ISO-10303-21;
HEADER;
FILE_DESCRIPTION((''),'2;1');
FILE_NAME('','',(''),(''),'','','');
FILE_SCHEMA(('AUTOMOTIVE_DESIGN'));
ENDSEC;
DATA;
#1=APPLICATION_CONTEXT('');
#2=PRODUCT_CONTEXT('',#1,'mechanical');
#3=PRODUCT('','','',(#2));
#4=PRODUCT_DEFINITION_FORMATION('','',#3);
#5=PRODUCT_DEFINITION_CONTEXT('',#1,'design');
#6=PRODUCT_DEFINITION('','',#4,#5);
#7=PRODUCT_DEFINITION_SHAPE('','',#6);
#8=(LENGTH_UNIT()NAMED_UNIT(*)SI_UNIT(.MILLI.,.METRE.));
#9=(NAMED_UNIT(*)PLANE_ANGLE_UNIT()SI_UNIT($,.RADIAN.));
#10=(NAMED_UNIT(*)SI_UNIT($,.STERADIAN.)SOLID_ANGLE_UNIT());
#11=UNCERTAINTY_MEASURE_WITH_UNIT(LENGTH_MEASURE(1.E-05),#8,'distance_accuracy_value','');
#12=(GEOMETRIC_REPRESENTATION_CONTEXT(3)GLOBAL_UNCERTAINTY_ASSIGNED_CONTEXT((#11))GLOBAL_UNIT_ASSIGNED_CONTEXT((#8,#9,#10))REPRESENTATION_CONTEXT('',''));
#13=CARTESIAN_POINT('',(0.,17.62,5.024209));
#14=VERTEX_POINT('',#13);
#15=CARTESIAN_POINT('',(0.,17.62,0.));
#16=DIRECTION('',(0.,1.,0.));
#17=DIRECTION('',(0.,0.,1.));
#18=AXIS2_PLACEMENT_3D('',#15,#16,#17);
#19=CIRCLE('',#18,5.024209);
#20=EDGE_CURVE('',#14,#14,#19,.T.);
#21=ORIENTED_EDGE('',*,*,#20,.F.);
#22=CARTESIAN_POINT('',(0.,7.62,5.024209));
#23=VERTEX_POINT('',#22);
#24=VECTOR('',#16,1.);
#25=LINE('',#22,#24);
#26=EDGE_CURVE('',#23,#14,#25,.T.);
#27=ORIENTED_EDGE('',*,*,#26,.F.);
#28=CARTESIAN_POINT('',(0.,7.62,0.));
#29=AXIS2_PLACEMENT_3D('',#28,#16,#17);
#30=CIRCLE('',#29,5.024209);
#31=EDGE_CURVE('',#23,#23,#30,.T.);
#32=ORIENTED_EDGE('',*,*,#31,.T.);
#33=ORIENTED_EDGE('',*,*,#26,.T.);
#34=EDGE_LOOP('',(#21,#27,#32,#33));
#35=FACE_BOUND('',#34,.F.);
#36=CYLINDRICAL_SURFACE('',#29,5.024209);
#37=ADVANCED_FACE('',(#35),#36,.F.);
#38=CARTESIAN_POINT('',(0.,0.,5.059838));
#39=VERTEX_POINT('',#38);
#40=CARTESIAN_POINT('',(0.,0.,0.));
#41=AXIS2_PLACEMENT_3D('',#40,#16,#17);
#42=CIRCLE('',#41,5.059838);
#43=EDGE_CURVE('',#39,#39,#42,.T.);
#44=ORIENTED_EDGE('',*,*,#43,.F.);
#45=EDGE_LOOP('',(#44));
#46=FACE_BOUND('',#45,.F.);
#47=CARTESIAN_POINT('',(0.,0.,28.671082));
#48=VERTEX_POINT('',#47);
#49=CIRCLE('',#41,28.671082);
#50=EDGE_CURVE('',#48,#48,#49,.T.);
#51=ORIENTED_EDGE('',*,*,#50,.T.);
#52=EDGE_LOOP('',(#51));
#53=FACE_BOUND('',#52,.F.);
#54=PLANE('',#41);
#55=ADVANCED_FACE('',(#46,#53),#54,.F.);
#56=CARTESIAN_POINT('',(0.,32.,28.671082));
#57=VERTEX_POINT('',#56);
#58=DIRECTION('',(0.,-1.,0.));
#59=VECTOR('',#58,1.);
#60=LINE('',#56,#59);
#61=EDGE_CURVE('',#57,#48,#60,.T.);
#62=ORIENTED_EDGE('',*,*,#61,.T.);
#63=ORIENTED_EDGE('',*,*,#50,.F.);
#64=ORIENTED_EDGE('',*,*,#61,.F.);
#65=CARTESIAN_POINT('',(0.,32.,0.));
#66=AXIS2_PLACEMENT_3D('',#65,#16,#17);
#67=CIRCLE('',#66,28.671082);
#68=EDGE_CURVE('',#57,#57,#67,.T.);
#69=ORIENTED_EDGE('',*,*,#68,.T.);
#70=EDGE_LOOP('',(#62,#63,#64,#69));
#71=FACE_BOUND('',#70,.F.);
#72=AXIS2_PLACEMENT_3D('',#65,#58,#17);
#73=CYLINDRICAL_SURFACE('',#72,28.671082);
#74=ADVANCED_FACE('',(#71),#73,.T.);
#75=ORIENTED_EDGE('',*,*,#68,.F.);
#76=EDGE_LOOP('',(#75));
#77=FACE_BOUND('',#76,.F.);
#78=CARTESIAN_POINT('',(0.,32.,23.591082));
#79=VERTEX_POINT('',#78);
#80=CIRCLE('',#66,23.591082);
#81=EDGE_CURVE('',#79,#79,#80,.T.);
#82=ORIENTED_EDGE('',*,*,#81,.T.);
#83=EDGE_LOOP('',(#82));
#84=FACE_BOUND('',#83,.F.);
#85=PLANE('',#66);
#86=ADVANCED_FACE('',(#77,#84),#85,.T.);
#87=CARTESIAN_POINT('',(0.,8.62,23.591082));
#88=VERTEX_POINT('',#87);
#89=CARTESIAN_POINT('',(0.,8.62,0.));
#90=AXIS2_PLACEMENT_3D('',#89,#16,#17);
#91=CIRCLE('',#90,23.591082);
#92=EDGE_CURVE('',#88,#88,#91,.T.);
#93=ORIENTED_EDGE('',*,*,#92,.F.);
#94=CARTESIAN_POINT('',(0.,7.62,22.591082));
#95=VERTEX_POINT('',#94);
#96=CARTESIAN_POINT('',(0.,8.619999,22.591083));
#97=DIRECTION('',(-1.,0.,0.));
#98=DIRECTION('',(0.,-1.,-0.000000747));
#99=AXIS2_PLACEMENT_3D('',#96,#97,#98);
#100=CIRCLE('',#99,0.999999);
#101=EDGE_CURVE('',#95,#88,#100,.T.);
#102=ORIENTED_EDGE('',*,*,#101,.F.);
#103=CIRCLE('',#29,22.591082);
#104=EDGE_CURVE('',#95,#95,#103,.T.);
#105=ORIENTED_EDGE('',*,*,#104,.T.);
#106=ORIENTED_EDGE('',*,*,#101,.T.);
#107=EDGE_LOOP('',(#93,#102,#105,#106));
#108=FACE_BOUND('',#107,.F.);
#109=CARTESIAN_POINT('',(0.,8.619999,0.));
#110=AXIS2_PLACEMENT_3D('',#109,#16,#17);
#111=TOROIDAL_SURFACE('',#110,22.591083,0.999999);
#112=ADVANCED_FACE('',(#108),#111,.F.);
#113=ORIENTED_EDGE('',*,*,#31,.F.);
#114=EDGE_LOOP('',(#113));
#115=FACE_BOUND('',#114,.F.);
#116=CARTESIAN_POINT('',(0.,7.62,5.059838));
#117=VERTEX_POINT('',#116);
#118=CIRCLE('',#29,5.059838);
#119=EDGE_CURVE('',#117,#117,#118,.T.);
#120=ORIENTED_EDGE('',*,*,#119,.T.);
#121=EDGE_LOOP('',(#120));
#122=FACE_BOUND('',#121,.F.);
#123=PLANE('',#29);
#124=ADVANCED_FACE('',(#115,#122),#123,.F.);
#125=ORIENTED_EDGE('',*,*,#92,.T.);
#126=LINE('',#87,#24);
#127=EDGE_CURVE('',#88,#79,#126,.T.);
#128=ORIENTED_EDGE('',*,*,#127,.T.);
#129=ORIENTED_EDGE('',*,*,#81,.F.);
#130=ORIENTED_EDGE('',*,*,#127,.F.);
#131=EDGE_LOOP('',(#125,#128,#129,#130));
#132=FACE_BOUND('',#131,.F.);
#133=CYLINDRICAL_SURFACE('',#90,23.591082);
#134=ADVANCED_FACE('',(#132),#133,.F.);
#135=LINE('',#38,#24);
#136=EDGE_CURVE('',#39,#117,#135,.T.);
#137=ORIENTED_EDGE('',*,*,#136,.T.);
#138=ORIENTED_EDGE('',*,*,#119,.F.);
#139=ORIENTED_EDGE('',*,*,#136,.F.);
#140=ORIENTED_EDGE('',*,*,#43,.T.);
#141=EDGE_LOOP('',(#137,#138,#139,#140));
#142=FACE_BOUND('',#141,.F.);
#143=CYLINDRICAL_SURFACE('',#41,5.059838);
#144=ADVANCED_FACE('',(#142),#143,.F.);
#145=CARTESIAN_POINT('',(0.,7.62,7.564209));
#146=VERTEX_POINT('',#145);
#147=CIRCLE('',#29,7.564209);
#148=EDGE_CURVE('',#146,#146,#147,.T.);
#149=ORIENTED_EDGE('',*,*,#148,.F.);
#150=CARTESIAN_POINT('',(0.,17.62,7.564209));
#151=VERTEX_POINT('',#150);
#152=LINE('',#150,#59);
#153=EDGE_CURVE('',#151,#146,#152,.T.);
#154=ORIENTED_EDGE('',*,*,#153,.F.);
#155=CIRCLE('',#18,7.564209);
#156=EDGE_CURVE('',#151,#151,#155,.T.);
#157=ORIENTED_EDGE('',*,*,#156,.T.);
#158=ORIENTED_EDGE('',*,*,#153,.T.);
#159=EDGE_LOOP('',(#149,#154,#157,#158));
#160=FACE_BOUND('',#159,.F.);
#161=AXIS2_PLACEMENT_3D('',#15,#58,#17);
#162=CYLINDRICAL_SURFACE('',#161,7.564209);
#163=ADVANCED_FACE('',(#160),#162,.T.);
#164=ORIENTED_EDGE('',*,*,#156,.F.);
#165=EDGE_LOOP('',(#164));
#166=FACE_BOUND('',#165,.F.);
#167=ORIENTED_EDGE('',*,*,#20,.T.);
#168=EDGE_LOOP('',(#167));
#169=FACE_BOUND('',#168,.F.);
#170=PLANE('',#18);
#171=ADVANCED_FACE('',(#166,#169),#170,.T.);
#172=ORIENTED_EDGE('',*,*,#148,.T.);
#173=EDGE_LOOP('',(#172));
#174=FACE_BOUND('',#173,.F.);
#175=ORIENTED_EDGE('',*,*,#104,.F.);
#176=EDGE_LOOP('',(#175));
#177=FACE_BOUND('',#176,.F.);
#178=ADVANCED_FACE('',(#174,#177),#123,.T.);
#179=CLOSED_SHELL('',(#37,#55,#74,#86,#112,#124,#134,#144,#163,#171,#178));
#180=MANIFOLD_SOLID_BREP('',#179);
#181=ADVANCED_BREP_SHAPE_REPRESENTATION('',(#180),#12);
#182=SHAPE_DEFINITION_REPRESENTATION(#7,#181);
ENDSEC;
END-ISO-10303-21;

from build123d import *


with BuildPart() as f1:
    # F0 (on Right) → F1 (revolve)
    with BuildSketch(Plane.YZ):
        with BuildLine():
            Line((0, 28.671082), (0, 5.059838))
            Line((0, 5.059838), (7.62, 5.059838))
            Line((7.62, 5.059838), (7.62, 5.024209))
            Line((7.62, 5.024209), (17.62, 5.024209))
            Line((17.62, 5.024209), (17.62, 7.564209))
            Line((17.62, 7.564209), (7.62, 7.564209))
            Line((7.62, 7.564209), (7.62, 22.591082))
            ThreePointArc((7.62, 22.591082), (7.912893, 23.298189), (8.62, 23.591082))
            Line((8.62, 23.591082), (32, 23.591082))
            Line((32, 23.591082), (32, 28.671082))
            Line((32, 28.671082), (0, 28.671082))
        make_face()
    revolve(axis=Axis((0, -0.662774, 0), (0, 1, 0)))


solid = f1.part
